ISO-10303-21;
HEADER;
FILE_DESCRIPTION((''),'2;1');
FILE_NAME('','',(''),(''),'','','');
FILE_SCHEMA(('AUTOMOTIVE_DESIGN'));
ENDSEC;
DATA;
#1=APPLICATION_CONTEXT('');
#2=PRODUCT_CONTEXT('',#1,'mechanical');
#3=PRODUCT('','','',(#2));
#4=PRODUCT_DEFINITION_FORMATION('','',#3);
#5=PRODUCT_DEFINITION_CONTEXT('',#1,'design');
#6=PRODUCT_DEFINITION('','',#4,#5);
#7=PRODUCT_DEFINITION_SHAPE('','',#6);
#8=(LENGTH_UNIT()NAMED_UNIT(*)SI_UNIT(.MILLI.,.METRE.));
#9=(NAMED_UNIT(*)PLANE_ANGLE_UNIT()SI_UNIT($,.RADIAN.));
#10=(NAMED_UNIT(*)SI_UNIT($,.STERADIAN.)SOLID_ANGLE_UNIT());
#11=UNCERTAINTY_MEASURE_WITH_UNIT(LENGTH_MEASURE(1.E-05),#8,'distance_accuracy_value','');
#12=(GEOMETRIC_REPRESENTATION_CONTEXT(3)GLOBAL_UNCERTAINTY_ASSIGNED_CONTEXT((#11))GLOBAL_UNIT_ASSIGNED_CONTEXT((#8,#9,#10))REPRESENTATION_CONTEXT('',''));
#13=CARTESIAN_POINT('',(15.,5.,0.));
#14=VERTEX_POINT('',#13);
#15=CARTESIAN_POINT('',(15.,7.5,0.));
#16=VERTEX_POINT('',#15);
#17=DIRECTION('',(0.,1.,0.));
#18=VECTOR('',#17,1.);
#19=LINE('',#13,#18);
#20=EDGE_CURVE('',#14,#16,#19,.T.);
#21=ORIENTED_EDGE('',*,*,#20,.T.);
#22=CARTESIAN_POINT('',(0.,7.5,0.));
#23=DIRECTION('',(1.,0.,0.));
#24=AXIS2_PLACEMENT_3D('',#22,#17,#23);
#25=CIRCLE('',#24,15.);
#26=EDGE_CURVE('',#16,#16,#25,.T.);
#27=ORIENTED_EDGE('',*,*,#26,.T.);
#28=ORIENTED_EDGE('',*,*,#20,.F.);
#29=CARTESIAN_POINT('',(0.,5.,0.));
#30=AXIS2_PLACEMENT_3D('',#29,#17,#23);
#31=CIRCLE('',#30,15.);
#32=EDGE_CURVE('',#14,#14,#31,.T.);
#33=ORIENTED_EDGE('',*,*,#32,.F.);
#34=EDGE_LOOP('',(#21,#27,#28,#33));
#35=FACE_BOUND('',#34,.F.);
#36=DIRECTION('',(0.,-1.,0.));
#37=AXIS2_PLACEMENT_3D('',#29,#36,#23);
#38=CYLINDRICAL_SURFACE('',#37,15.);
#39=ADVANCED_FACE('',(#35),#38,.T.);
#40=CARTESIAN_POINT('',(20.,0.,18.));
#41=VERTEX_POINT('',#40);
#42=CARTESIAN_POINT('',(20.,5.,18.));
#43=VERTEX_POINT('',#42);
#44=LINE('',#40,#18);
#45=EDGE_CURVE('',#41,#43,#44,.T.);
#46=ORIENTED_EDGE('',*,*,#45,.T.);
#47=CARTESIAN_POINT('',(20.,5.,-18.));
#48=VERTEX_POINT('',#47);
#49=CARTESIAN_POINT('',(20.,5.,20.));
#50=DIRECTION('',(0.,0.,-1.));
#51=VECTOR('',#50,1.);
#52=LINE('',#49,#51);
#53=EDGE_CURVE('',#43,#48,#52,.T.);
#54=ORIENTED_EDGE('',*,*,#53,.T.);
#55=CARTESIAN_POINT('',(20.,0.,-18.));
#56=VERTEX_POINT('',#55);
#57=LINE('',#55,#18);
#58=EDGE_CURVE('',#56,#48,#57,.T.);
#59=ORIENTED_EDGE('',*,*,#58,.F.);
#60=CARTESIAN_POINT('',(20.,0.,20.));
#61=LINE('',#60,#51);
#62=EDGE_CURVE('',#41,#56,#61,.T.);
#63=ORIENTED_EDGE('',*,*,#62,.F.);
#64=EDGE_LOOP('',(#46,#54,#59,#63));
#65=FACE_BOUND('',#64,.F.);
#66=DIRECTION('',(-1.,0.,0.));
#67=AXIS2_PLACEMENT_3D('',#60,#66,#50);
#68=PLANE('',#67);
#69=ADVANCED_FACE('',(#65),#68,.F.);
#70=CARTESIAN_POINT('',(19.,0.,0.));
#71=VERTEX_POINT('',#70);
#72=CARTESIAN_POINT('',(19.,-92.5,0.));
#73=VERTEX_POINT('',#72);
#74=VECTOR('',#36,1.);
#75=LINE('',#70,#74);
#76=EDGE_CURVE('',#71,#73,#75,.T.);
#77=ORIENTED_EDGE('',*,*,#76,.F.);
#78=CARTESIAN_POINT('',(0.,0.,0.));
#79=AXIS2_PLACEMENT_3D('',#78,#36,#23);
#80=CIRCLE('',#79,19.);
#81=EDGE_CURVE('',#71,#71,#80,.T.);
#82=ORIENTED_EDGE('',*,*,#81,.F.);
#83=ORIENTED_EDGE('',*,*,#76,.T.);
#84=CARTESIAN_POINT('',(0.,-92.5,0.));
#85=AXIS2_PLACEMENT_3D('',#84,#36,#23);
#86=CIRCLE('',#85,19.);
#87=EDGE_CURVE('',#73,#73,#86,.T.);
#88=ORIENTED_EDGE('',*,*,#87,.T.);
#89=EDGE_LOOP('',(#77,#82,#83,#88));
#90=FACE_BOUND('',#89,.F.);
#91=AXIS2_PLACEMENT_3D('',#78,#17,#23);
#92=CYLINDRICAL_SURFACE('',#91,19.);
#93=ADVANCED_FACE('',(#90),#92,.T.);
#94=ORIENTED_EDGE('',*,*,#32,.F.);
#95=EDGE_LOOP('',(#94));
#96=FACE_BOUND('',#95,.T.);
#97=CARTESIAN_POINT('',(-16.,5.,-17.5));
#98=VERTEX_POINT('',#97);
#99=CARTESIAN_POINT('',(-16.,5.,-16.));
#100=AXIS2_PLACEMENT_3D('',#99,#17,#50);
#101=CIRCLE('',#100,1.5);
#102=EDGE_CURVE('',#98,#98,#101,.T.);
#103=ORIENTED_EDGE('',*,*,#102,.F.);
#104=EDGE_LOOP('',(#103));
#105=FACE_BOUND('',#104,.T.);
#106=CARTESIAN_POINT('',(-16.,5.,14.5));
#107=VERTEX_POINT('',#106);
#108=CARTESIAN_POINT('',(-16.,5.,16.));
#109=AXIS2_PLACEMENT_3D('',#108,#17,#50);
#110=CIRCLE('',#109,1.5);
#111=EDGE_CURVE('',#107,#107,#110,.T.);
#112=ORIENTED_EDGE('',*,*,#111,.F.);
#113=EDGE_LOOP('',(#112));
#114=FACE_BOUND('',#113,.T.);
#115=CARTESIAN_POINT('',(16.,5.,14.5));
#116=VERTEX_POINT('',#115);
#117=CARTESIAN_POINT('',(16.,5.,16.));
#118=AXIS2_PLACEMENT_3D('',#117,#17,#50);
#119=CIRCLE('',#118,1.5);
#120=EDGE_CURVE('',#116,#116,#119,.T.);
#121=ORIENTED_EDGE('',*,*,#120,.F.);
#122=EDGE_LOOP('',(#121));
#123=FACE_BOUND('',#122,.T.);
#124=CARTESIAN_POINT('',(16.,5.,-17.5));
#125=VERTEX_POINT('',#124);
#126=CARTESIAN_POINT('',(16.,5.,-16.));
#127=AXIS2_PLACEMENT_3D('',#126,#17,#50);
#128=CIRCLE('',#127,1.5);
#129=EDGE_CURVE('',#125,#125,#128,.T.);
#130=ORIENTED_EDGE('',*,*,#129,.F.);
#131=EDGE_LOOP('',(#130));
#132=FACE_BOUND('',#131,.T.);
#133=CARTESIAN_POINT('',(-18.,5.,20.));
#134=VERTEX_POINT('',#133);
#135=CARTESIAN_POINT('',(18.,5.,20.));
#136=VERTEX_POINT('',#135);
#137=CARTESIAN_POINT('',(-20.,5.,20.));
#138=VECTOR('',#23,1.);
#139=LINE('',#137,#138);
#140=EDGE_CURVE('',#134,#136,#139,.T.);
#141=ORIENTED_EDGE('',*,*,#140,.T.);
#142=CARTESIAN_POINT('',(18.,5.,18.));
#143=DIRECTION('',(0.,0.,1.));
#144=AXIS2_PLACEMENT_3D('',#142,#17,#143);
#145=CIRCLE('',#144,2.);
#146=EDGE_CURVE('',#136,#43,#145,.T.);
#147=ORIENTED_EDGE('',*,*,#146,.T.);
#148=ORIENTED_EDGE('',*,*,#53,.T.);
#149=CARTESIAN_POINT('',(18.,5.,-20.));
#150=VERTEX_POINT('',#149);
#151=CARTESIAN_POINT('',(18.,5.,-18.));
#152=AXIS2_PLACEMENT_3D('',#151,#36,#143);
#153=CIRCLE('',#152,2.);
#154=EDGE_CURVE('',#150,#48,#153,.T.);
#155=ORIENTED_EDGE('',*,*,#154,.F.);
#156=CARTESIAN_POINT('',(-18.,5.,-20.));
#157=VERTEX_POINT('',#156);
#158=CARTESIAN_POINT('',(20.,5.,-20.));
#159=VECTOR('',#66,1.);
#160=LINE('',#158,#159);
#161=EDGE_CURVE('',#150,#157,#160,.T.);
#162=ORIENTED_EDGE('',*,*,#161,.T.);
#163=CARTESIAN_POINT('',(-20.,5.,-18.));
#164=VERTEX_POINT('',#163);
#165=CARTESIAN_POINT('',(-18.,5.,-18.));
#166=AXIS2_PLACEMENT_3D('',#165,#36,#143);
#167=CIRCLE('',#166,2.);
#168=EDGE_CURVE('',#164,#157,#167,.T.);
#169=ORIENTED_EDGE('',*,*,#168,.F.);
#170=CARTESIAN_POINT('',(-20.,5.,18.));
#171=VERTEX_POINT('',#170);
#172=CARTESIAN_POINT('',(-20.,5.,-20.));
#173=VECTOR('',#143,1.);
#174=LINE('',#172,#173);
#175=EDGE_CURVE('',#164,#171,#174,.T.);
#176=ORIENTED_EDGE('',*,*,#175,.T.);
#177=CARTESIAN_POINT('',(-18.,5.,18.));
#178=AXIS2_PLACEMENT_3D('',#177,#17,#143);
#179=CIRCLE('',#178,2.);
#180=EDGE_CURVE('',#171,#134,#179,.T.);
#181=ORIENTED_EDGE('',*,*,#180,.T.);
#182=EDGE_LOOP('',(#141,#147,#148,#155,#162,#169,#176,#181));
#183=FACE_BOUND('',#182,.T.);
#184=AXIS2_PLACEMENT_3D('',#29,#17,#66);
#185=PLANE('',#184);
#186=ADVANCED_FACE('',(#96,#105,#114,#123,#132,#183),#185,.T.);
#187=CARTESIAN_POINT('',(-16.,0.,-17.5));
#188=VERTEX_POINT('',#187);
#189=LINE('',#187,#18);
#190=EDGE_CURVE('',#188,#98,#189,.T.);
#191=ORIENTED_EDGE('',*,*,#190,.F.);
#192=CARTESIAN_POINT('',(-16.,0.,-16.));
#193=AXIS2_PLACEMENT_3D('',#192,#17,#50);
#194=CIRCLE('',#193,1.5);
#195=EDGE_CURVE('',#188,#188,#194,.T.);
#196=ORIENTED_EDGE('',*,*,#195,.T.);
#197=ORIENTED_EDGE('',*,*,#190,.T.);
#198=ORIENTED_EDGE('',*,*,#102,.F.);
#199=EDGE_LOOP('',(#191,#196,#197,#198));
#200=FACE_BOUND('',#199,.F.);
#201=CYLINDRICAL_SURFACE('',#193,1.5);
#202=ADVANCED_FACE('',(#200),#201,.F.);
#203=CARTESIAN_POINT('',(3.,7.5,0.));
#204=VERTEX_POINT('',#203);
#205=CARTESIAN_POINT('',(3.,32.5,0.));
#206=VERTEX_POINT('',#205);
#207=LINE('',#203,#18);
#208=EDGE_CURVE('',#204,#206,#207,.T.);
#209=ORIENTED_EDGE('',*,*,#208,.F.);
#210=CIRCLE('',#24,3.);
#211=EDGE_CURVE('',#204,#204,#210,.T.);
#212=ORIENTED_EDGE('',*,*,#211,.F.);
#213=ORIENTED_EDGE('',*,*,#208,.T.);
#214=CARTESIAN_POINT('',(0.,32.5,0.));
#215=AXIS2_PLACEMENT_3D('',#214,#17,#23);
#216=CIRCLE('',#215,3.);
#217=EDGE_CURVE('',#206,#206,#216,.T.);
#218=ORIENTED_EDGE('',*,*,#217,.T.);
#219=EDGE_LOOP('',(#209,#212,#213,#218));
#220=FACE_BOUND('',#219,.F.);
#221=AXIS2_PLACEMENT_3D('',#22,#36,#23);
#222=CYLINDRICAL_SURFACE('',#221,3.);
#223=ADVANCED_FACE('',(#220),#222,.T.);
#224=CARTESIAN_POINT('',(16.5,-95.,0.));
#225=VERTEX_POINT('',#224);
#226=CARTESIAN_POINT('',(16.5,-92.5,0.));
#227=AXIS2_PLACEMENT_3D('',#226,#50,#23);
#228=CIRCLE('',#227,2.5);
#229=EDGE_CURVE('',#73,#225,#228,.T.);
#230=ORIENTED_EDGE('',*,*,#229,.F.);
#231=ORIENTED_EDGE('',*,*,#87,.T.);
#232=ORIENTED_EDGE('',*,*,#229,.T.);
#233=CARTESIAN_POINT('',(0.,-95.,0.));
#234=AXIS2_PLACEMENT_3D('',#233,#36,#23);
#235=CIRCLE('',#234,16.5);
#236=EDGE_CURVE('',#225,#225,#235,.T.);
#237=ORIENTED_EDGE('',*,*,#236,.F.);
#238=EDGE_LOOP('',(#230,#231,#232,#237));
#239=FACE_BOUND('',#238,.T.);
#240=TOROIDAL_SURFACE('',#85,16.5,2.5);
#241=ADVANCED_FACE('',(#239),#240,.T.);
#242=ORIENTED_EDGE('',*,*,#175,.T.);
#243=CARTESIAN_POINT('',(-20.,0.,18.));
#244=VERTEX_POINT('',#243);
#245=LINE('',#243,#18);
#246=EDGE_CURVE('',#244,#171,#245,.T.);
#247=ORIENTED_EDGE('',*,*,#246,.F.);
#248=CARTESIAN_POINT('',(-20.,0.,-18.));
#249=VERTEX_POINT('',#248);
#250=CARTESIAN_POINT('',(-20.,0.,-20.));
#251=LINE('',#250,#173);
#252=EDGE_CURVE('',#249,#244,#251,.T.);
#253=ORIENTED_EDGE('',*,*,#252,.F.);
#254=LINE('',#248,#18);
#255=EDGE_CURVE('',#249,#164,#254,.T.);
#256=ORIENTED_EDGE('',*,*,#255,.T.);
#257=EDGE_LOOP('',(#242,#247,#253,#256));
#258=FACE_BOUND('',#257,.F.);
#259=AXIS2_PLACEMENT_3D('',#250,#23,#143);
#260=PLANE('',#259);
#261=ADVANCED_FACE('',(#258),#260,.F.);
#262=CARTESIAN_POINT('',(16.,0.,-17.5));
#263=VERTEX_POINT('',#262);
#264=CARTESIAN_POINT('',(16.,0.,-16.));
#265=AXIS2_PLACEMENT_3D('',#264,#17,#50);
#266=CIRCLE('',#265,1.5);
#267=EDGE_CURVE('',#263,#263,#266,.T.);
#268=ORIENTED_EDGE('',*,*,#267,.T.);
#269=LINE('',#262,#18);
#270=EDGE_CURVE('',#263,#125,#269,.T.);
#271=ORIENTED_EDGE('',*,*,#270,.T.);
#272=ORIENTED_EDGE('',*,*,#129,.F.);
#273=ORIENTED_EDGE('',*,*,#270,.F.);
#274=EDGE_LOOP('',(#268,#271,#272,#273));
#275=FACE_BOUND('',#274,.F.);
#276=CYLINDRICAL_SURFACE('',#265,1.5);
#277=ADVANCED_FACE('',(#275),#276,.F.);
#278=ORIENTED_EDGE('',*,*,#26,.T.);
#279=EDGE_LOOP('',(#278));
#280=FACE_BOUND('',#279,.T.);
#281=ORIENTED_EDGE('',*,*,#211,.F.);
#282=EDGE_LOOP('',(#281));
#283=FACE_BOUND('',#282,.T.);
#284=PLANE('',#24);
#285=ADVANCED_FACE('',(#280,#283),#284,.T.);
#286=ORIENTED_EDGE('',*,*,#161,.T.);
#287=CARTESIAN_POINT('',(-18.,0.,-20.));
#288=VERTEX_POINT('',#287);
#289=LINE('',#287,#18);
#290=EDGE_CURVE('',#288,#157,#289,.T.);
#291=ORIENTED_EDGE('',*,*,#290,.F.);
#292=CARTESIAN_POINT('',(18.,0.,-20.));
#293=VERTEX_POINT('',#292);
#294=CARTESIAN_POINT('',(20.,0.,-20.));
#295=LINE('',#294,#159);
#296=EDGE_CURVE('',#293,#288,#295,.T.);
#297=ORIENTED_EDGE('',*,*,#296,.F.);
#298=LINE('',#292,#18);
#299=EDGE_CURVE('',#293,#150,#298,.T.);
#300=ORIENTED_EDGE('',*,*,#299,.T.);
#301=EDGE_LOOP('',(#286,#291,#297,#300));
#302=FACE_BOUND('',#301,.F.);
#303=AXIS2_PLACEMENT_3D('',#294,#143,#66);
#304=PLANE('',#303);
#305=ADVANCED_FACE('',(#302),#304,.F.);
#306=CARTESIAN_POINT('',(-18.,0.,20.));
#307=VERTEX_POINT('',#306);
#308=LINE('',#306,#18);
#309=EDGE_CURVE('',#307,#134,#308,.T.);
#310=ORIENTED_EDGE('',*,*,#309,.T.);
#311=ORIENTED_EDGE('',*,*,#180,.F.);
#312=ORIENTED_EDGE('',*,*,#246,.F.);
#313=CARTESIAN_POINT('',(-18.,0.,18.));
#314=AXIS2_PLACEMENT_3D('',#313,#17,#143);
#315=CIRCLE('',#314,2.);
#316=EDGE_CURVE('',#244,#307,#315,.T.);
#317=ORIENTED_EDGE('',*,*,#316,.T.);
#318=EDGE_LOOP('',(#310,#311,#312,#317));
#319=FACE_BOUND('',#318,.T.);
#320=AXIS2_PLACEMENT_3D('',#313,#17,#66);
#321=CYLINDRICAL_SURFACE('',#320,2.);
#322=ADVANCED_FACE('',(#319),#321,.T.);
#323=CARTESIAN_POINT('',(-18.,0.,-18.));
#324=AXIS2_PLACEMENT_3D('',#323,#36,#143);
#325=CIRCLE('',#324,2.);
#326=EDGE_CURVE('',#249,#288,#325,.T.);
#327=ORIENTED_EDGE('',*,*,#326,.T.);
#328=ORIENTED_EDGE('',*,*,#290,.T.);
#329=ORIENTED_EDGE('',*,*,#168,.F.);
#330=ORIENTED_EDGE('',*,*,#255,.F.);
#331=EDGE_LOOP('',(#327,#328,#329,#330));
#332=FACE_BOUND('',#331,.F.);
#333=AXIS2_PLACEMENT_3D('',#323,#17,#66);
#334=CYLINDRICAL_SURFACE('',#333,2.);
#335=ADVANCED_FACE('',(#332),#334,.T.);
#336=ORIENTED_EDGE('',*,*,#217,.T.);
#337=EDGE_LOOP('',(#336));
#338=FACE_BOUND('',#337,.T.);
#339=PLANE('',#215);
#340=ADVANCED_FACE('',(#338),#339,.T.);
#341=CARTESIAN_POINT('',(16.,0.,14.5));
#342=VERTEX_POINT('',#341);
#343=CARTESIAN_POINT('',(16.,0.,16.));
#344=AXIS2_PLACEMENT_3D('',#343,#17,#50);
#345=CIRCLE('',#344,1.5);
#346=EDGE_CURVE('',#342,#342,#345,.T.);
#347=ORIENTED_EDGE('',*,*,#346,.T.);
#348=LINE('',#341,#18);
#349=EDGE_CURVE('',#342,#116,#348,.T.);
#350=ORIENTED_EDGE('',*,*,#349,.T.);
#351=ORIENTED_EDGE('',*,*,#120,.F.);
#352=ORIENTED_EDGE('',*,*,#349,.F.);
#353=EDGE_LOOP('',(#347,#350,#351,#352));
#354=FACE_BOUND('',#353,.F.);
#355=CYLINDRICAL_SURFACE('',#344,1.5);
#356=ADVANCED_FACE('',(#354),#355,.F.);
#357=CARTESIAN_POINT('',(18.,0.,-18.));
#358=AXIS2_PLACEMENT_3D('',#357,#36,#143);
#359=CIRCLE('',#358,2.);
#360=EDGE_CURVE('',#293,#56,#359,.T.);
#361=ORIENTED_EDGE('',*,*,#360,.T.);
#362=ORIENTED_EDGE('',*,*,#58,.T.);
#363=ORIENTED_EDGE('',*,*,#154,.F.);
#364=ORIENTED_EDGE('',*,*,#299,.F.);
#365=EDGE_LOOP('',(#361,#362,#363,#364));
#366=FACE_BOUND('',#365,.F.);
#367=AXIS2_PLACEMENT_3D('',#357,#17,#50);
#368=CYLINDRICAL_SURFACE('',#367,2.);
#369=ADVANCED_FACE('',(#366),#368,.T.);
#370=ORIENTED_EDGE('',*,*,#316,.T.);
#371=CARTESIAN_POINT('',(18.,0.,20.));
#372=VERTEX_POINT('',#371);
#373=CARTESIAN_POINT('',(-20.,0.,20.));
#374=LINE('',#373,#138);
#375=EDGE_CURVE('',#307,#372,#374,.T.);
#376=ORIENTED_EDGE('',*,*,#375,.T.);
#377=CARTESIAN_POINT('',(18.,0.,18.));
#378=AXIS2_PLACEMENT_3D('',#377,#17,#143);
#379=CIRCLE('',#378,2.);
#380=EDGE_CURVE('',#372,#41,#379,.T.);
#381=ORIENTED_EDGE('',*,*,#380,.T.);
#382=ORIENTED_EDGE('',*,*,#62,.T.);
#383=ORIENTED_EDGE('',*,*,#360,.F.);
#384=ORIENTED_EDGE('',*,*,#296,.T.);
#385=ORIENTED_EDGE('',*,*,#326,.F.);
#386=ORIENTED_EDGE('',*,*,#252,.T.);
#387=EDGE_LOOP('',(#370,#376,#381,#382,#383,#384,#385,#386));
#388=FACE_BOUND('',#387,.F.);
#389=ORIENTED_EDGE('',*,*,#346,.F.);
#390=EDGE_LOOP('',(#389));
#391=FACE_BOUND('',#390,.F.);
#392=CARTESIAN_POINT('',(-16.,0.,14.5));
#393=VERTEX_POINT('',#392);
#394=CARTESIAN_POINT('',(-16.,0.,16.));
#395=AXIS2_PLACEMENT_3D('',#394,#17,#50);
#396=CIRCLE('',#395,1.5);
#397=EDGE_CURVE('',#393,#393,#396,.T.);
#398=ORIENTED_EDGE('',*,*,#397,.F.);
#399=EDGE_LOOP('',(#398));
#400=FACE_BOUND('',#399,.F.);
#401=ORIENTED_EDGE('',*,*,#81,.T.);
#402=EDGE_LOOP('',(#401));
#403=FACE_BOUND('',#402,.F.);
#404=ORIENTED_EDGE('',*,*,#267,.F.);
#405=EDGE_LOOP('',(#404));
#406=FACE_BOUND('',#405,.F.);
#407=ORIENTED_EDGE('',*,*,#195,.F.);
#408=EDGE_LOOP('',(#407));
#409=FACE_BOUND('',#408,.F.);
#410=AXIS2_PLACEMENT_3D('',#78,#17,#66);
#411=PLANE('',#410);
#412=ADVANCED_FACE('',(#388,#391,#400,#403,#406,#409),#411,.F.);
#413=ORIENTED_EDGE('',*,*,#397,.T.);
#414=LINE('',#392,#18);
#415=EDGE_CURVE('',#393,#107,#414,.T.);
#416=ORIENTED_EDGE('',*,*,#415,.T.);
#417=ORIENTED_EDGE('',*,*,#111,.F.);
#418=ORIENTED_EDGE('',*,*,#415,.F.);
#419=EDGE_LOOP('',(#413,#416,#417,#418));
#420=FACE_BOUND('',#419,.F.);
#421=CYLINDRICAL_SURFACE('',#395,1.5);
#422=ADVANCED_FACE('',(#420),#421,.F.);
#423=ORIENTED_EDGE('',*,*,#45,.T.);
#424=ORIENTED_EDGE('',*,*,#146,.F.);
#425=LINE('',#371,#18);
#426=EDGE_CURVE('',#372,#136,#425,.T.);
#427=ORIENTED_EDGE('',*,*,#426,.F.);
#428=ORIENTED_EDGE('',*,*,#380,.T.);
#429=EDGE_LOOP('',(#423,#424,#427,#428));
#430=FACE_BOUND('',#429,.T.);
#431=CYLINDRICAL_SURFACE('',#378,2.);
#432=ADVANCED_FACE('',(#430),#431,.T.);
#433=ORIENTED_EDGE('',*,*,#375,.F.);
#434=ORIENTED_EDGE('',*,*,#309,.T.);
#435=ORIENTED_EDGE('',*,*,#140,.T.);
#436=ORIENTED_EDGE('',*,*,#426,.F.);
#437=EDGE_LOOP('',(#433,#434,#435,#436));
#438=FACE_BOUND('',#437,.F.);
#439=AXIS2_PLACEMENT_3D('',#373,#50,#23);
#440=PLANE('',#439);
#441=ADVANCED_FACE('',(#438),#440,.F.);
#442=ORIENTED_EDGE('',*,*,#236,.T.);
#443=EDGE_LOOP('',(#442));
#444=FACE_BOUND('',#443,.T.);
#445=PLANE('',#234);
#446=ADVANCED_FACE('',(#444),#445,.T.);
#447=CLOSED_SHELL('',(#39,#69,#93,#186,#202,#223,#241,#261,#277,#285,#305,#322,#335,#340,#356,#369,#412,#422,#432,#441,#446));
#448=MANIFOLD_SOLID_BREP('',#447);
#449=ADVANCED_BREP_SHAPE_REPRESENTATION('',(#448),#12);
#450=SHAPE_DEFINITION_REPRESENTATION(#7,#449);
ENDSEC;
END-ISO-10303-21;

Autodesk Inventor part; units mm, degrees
ref_plane "YZ Plane" through (0, 0, 0) normal (1, 0, 0) x (0, 1, 0)
ref_plane "XZ Plane" through (0, 0, 0) normal (0, 1, 0) x (-1, 0, 0)
ref_plane "XY Plane" through (0, 0, 0) normal (0, 0, 1) x (1, 0, 0)
sketch "Sketch1" plane through (0, 0, 0) normal (0, 1, 0) x (-1, 0, 0)
  line L0 (20, 20) -> (-20, 20)
  line L1 (-20, 20) -> (-20, -20)
  line L2 (-20, -20) -> (20, -20)
  line L3 (20, -20) -> (20, 20)
  line L4 (20, 20) -> (-20, -20) construction
  line L5 (-20, 20) -> (20, -20) construction
  line L6 (16, 16) -> (-16, 16)
  line L7 (-16, 16) -> (-16, -16)
  line L8 (-16, -16) -> (16, -16)
  line L9 (16, -16) -> (16, 16)
  line L10 (16, 16) -> (-16, -16) construction
  line L11 (-16, 16) -> (16, -16) construction
  point P0 (0, 0)
  dimension "d0" = 40
  dimension "d1" = 40
  dimension "d2" = 32
  dimension "d3" = 32
extrude "Extrusion1" add sketch "Sketch1" along normal blind 5 contours L3 L2 L1 L0 | L9 L8 L7 L6
sketch "Sketch2" plane through (0, 5, 0) normal (0, 1, 0) x (1, 0, 0)
  circle A0 centre (0, 0) radius 15
  dimension "d7" = 30
extrude "Extrusion2" add sketch "Sketch2" along normal blind 2.5
sketch "Sketch3" plane through (0, 0, 0) normal (0, -1, 0) x (1, 0, 0)
  circle A0 centre (0, 0) radius 19
  dimension "d10" = 38
extrude "Extrusion3" add sketch "Sketch3" along normal blind 95
fillet "Fillet1" radius 2.5 1 edges at (-19, -95, 0)
fillet "Fillet2" radius 2 4 edges at (20, 2.5, -20) (-20, 2.5, -20) (-20, 2.5, 20) (20, 2.5, 20)
hole "Hole1" at (16, 0, -16) at (16, 0, 16) at (-16, 0, -16) at (-16, 0, 16) direction (0, 1, 0) diameter 3 depth 5 tip angle 118
sketch "Sketch4" plane through (0, 7.5, 0) normal (0, 1, 0) x (1, 0, 0)
  circle A0 centre (0, 0) radius 3
  dimension "d22" = 6
extrude "Extrusion4" add sketch "Sketch4" along normal blind 25
equation "\"d1\" = d0"
equation "\"d3\" = d2"
properties part number "Nanotec-DH052-120E-Servo"
